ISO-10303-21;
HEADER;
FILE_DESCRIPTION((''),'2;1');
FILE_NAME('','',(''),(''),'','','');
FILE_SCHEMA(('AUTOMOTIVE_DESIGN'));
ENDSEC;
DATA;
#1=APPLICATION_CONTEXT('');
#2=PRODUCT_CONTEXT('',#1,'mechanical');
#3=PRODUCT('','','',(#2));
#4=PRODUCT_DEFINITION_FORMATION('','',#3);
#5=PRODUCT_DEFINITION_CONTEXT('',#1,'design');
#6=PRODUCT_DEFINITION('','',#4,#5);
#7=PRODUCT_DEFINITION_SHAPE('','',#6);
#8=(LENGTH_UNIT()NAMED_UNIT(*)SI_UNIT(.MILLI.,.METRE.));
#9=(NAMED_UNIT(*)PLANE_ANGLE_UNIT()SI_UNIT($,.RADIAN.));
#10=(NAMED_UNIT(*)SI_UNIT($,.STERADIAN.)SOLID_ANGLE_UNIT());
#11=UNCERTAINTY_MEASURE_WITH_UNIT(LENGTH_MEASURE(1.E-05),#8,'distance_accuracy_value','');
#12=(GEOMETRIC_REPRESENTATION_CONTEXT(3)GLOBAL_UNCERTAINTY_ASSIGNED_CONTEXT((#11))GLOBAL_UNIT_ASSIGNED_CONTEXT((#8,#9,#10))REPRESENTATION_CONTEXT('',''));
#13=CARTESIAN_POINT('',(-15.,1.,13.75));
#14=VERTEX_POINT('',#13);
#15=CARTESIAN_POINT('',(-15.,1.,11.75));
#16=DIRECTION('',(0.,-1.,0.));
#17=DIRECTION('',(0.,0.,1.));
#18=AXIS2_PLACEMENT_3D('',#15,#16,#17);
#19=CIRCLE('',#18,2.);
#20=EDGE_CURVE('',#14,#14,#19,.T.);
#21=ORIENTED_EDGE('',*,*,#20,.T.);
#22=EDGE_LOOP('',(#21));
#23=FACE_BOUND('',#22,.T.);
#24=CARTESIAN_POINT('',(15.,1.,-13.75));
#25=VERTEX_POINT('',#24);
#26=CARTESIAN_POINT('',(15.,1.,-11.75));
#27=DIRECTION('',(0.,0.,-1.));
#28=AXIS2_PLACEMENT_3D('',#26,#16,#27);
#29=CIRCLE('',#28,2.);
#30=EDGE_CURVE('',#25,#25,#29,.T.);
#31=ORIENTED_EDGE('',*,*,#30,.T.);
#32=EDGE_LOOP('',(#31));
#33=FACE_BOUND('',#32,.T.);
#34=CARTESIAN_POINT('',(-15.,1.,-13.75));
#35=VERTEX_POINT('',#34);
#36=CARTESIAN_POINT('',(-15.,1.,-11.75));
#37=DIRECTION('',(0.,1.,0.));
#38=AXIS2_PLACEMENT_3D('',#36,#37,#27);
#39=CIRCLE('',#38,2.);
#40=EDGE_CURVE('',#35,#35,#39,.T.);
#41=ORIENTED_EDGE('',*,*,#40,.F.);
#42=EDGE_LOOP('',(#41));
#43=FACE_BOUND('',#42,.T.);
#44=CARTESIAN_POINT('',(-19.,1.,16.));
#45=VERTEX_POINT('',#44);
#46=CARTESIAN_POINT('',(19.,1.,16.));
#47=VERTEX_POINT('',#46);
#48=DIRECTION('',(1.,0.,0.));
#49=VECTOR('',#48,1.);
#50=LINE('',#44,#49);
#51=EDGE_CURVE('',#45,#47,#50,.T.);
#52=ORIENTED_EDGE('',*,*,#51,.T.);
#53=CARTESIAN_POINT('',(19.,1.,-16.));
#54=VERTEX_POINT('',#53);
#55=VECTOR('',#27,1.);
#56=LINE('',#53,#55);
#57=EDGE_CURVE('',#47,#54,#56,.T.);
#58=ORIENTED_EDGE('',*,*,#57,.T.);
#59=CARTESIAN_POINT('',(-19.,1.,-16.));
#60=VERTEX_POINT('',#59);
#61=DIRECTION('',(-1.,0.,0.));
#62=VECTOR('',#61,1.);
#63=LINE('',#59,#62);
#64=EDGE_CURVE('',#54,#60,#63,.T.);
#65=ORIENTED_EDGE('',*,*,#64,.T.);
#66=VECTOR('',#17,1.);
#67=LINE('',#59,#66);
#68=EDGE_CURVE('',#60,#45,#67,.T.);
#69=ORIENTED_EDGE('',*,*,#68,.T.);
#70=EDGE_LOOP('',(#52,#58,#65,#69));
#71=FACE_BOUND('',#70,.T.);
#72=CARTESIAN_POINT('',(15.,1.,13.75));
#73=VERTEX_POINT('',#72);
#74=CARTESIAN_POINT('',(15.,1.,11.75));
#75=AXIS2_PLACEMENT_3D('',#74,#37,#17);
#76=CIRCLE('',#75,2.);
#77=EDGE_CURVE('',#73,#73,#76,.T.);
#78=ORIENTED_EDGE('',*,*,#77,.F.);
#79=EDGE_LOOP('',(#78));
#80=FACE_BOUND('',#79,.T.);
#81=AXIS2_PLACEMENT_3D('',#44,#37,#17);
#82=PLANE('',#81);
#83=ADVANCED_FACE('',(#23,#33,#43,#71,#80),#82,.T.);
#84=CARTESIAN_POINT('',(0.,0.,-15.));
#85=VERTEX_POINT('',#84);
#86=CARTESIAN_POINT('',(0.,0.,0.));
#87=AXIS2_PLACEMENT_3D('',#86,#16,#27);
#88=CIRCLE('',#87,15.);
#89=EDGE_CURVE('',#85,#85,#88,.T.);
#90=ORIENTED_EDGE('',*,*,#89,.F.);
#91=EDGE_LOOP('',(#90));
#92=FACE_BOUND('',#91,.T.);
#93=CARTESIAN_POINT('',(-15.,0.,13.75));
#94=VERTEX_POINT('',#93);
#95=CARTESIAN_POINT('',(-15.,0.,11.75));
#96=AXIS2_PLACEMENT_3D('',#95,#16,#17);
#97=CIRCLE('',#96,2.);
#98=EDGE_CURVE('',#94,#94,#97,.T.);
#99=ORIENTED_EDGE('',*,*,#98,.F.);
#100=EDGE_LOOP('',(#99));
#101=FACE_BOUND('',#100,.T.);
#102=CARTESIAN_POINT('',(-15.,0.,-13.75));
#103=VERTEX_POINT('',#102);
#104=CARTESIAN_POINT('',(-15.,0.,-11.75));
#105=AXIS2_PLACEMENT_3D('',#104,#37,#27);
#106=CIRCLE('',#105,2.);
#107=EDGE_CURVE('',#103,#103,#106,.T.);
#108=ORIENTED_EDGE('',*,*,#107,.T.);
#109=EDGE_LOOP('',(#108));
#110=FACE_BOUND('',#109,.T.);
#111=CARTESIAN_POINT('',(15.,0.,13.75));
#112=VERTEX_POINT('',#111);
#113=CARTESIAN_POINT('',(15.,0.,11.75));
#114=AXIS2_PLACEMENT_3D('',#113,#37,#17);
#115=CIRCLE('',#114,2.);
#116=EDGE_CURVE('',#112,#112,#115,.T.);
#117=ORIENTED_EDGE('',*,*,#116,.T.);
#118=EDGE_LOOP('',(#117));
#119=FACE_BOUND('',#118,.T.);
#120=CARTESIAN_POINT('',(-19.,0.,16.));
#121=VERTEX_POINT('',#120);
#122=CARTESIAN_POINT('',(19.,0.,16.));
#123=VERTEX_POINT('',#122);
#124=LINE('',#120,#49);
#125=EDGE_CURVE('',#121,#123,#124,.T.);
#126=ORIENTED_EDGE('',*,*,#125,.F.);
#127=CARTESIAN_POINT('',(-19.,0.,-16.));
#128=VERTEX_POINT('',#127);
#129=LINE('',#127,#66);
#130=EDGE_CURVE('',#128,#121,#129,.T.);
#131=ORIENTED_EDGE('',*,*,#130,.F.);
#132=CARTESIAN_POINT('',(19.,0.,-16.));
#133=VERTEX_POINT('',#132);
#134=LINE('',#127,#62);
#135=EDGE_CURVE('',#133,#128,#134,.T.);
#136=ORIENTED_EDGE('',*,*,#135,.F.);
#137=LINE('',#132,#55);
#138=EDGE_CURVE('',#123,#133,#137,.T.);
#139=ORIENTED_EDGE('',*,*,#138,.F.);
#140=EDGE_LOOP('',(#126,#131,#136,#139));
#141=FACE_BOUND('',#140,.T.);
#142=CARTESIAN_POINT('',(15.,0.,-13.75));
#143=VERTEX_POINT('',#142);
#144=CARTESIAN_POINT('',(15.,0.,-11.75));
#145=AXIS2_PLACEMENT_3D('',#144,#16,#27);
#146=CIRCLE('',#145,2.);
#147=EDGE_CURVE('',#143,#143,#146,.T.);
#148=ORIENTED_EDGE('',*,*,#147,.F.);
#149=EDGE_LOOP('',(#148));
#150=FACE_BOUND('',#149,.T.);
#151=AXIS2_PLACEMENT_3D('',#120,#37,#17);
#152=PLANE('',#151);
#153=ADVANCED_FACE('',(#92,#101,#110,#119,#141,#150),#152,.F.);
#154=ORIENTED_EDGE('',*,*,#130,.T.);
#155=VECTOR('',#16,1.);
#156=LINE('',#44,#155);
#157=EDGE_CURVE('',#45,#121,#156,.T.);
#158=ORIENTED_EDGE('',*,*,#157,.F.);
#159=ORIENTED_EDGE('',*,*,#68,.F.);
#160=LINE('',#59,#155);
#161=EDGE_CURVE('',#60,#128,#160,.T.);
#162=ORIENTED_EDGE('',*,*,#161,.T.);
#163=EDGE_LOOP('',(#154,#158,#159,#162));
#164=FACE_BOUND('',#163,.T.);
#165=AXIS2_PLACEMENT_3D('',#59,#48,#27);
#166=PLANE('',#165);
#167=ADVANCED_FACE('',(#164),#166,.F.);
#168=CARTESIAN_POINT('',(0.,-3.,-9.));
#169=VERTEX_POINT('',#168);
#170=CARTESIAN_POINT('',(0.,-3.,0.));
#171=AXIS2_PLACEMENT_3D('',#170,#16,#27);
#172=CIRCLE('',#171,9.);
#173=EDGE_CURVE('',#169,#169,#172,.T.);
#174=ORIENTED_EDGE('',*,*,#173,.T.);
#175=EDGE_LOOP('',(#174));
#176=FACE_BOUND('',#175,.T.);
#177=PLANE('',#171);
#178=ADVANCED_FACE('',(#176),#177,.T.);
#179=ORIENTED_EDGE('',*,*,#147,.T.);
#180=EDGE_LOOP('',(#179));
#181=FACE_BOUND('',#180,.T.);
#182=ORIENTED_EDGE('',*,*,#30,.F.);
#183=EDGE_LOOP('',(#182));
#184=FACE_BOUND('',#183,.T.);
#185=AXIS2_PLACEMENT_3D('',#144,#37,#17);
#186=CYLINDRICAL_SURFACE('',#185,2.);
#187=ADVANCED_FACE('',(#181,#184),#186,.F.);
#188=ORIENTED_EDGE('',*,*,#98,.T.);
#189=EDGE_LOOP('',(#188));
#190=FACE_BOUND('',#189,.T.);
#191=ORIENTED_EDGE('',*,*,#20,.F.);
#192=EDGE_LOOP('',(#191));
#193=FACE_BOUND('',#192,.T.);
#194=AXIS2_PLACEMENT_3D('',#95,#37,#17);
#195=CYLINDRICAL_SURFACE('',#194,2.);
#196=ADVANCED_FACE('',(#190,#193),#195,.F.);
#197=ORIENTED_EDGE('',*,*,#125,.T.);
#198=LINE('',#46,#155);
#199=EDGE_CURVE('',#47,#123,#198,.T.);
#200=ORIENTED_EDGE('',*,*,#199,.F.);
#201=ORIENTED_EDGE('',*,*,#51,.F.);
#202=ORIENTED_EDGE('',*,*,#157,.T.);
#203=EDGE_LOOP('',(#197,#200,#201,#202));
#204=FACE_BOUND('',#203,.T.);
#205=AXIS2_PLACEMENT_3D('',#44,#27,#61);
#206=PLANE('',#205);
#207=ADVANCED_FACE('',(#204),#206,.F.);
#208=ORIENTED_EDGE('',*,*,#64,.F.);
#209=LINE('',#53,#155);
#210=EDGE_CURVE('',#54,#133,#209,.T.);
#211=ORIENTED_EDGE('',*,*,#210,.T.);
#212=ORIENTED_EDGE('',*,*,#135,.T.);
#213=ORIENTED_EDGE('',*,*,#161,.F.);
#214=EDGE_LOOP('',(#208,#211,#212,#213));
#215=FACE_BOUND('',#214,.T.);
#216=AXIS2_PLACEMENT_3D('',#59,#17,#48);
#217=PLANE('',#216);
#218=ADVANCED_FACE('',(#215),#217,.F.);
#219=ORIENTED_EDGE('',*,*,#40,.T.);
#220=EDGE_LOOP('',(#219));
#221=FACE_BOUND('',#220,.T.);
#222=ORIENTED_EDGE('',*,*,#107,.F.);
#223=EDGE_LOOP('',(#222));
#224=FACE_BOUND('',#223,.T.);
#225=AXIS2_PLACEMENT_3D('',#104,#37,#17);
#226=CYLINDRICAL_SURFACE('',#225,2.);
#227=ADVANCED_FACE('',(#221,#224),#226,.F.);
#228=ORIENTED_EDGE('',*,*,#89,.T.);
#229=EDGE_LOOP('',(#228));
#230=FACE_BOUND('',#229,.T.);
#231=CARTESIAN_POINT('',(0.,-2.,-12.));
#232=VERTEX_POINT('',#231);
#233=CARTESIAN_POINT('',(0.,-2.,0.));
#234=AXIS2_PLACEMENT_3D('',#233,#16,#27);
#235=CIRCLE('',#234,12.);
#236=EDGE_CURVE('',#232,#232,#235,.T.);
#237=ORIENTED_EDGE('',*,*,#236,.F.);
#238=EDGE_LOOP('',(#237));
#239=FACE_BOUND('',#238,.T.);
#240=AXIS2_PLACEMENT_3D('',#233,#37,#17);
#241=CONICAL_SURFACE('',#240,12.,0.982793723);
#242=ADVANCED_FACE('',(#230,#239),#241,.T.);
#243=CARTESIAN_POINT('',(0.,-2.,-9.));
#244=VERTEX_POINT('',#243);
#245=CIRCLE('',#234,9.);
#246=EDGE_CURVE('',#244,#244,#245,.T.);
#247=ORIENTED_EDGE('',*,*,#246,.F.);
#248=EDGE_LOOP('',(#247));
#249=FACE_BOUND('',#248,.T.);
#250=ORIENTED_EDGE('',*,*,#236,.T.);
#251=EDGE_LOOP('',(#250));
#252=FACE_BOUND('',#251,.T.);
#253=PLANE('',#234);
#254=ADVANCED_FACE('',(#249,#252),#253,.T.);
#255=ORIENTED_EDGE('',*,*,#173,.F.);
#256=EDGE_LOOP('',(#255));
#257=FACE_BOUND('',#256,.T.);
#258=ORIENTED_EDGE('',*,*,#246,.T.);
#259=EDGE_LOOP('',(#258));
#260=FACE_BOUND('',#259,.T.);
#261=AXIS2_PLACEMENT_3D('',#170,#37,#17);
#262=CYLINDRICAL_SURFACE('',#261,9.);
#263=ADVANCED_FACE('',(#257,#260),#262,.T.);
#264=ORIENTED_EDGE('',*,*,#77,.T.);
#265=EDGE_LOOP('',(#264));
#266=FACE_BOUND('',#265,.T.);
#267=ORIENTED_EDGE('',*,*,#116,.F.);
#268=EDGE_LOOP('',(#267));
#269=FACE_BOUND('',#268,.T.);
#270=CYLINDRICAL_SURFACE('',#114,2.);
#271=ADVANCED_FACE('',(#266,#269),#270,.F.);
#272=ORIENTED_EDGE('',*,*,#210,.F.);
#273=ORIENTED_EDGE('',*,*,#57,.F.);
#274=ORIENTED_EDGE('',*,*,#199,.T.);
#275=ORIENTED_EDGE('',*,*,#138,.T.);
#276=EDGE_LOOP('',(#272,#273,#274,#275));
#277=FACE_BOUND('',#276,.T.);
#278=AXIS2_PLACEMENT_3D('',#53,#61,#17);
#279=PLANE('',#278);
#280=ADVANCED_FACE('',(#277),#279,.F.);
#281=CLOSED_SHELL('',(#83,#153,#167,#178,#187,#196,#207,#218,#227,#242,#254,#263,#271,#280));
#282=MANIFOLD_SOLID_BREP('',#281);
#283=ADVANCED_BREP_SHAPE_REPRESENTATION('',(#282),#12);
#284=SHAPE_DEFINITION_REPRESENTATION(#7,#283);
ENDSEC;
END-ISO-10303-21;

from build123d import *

# Parameters (mm, degrees)
SKETCH1_W               = 38
SKETCH1_H               = 32
BOSS_EXTRUDE1_DEPTH     = 1
SKETCH2_R               = 2
CUT_EXTRUDE1_DEPTH      = 1
MIRROR2_COPY_1_SKETCH_R = 2
MIRROR2_COPY_1_DEPTH    = 1
SKETCH3_R               = 15
SKETCH4_R               = 12
SKETCH5_R               = 9
BOSS_EXTRUDE2_DEPTH     = 1


with BuildPart() as part:
    # Sketch1 → Boss-Extrude1 (new body)
    with BuildSketch(Plane(origin=(0, 0, 0), x_dir=(1, 0, 0), z_dir=(0, 1, 0))):
        Rectangle(SKETCH1_W, SKETCH1_H)
    extrude(amount=BOSS_EXTRUDE1_DEPTH)

    # Sketch2 → Cut-Extrude1 (cut)
    with BuildSketch(Plane(origin=(0, 1, 0), x_dir=(1, 0, 0), z_dir=(0, 1, 0))):
        with Locations(Location((15, -11.75, 0), (0, 0, 270))):
            Circle(SKETCH2_R)
    cut_extrude1 = extrude(amount=-CUT_EXTRUDE1_DEPTH, mode=Mode.SUBTRACT)

    # Mirror1: Cut-Extrude1 across plane
    add(cut_extrude1.mirror(Plane(origin=(0, 0, 0), x_dir=(0, 0, 1), z_dir=(1, 0, 0))), mode=Mode.SUBTRACT)

    # Mirror2: Cut-Extrude1 across plane
    add(cut_extrude1.mirror(Plane.XY), mode=Mode.SUBTRACT)

    # Mirror2 copy 1 sketch → Mirror2 copy 1 (cut)
    with BuildSketch(Plane(origin=(0, 1, 0), x_dir=(-1, 0, 0), z_dir=(0, 1, 0))):
        with Locations(Location((15, -11.75, 0), (0, 0, 270))):
            Circle(MIRROR2_COPY_1_SKETCH_R)
    extrude(amount=-MIRROR2_COPY_1_DEPTH, mode=Mode.SUBTRACT)

    # Sketch3 → Loft1 section 0
    with BuildSketch(Plane.XZ):
        Circle(SKETCH3_R)
    # Sketch4 → Loft1 section 1
    with BuildSketch(Plane.XZ.offset(2)):
        Circle(SKETCH4_R)
    loft()

    # Sketch5 → Boss-Extrude2 (add)
    with BuildSketch(Plane.XZ.offset(2)):
        with Locations(Location((0, 0, 0), (0, 0, 270))):
            Circle(SKETCH5_R)
    extrude(amount=BOSS_EXTRUDE2_DEPTH)


solid = part.part
